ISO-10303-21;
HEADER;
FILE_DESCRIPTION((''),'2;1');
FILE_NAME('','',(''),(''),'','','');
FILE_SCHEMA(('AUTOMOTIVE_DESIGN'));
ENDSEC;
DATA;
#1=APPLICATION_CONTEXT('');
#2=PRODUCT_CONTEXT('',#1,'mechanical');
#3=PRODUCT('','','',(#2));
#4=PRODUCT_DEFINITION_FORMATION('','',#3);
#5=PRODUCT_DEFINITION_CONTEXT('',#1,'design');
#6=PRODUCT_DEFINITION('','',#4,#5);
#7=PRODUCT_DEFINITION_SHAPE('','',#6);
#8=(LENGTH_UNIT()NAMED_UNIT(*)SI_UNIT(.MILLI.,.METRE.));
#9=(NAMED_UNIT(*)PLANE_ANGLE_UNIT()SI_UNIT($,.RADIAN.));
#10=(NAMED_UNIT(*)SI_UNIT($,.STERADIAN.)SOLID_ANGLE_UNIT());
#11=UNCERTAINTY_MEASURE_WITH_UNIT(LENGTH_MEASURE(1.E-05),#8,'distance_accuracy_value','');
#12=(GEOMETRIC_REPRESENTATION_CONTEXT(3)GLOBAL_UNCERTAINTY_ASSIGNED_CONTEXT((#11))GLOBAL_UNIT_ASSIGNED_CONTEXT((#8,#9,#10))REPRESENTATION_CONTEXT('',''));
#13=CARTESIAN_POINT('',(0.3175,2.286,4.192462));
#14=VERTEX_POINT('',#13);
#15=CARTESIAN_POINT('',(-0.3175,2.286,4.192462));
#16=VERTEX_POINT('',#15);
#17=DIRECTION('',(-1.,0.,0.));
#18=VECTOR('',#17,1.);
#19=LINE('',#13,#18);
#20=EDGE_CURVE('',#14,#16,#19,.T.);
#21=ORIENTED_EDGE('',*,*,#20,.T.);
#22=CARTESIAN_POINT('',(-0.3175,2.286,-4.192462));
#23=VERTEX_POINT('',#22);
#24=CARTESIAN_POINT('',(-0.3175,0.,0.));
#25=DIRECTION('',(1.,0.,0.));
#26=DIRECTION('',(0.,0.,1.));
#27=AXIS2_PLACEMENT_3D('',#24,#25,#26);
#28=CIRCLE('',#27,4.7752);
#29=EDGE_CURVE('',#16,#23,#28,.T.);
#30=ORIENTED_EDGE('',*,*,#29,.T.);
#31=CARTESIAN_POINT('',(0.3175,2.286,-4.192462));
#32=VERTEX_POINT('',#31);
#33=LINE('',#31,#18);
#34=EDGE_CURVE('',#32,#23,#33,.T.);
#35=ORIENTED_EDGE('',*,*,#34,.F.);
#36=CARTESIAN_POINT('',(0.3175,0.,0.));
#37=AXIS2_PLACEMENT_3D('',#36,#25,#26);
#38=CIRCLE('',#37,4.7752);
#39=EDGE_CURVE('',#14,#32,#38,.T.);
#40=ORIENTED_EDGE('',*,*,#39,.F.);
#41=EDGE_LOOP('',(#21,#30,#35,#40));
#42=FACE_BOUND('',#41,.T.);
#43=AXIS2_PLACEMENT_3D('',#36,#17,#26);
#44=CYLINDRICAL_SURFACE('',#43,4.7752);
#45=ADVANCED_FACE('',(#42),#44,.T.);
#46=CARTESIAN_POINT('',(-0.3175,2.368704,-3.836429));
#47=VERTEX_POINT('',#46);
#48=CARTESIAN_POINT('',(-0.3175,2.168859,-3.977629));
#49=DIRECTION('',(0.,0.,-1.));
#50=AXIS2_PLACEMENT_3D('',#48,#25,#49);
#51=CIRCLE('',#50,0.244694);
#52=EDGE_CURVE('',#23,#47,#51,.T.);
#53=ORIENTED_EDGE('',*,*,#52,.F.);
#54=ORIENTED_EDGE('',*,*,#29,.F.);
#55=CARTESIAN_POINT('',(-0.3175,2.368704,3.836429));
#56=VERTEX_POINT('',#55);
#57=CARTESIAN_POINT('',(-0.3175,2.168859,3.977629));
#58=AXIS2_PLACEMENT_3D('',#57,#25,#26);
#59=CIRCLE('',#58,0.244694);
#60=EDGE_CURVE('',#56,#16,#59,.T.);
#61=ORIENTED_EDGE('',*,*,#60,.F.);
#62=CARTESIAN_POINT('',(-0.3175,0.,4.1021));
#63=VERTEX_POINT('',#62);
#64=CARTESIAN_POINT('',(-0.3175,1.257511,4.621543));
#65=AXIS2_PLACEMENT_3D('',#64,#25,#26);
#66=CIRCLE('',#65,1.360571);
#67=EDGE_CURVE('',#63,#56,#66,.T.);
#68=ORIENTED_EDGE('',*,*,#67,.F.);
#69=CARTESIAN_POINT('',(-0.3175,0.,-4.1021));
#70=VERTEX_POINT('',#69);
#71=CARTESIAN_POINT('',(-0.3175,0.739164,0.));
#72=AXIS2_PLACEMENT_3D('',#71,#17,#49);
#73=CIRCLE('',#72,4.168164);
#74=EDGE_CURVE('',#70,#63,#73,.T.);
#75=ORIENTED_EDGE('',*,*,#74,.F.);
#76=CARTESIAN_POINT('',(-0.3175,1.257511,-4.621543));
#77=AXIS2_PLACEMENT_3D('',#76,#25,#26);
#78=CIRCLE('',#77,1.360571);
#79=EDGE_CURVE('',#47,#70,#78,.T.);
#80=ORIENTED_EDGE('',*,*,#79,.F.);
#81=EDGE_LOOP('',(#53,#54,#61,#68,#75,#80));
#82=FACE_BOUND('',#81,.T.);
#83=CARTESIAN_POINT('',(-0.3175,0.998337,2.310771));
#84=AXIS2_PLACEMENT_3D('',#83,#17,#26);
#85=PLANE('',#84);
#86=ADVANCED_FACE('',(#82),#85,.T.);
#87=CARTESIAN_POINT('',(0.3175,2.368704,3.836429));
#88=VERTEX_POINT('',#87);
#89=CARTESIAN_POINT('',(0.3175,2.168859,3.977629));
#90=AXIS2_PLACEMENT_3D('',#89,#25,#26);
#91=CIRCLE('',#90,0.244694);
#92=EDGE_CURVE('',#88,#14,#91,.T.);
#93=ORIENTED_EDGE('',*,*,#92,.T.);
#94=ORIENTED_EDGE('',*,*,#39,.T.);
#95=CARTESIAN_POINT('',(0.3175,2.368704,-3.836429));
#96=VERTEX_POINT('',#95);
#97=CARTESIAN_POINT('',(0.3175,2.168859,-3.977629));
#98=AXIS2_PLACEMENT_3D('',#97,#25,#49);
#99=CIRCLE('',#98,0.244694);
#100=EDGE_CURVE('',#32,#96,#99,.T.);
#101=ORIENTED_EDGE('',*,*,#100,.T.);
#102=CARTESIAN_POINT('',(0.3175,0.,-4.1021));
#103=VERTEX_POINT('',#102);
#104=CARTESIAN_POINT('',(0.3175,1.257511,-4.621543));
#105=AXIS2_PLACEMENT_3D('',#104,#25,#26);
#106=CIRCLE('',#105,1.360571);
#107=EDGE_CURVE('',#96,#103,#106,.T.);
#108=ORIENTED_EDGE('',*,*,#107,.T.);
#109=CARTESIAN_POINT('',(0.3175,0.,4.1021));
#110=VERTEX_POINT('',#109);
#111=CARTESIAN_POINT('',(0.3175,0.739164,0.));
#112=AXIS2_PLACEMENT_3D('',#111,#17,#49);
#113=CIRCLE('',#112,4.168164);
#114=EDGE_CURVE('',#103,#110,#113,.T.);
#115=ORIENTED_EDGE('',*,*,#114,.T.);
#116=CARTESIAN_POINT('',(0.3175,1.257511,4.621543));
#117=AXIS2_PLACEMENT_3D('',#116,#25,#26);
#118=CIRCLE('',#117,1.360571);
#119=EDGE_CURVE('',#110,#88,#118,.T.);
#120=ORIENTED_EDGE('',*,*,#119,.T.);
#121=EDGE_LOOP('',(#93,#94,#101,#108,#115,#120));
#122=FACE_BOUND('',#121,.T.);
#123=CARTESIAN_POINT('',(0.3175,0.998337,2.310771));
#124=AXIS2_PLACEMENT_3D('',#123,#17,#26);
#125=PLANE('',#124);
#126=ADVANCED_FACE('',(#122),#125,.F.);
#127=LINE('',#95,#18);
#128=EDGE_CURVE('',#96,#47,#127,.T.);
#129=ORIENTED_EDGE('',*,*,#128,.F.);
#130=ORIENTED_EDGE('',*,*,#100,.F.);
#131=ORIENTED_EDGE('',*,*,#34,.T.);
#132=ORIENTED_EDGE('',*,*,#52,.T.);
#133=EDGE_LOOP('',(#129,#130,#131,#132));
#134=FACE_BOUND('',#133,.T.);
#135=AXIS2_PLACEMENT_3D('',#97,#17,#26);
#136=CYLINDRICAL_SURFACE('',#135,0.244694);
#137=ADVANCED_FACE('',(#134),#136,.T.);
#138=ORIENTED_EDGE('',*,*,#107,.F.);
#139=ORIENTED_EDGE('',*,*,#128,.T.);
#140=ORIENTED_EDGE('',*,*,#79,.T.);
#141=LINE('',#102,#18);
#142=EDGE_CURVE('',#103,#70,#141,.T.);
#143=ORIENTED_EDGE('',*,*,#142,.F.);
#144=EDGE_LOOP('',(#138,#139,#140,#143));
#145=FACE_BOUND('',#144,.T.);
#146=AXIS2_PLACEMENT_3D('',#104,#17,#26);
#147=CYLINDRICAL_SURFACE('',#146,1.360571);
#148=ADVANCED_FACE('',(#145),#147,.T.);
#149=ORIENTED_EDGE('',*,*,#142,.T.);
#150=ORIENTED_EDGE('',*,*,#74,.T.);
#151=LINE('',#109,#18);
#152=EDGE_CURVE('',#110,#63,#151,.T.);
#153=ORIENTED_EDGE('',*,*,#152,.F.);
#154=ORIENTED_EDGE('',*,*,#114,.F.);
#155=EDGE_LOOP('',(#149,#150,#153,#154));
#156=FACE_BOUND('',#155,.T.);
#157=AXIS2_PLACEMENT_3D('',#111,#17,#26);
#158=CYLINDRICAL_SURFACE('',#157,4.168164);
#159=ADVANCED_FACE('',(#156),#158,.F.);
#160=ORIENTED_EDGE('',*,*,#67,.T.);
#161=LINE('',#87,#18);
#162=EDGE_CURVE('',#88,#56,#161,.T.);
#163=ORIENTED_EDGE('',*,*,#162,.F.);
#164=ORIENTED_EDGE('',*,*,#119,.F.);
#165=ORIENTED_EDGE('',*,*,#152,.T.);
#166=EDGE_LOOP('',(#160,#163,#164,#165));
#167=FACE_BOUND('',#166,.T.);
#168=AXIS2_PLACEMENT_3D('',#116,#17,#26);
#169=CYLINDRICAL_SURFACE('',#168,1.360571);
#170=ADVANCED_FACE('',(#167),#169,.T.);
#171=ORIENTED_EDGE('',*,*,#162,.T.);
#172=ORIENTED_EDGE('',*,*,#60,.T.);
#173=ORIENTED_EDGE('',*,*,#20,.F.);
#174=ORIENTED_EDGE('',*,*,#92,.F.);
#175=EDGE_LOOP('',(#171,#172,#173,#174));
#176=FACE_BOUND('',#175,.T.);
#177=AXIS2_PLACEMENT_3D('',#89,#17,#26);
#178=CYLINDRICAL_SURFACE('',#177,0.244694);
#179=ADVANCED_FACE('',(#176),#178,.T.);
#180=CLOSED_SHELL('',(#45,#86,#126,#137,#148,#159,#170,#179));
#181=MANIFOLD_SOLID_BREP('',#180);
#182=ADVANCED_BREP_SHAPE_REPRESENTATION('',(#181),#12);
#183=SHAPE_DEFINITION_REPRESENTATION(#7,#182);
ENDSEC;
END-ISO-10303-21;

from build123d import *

# Parameters (mm, degrees)
EXTRUDE1_DEPTH = 0.3175


with BuildPart() as part:
    # Sketch1 → Extrude1 (new body, symmetric)
    with BuildSketch(Plane(origin=(0, 0, 0), x_dir=(0, 0, -1), z_dir=(1, 0, 0))):
        with BuildLine():
            ThreePointArc((-4.1021, 0), (0, -3.429), (4.1021, 0))
            ThreePointArc((4.1021, 0), (3.269449594, 1.105861316), (3.836428871, 2.368703526))
            ThreePointArc((3.836428871, 2.368703526), (4.032995284, 2.407207291), (4.192462169, 2.286))
            ThreePointArc((4.192462169, 2.286), (0, -4.7752), (-4.192462169, 2.286))
            ThreePointArc((-4.192462169, 2.286), (-4.032995284, 2.407207291), (-3.836428871, 2.368703526))
            ThreePointArc((-3.836428871, 2.368703526), (-3.269449594, 1.105861316), (-4.1021, 0))
        make_face()
    extrude(amount=EXTRUDE1_DEPTH, both=True)


solid = part.part
